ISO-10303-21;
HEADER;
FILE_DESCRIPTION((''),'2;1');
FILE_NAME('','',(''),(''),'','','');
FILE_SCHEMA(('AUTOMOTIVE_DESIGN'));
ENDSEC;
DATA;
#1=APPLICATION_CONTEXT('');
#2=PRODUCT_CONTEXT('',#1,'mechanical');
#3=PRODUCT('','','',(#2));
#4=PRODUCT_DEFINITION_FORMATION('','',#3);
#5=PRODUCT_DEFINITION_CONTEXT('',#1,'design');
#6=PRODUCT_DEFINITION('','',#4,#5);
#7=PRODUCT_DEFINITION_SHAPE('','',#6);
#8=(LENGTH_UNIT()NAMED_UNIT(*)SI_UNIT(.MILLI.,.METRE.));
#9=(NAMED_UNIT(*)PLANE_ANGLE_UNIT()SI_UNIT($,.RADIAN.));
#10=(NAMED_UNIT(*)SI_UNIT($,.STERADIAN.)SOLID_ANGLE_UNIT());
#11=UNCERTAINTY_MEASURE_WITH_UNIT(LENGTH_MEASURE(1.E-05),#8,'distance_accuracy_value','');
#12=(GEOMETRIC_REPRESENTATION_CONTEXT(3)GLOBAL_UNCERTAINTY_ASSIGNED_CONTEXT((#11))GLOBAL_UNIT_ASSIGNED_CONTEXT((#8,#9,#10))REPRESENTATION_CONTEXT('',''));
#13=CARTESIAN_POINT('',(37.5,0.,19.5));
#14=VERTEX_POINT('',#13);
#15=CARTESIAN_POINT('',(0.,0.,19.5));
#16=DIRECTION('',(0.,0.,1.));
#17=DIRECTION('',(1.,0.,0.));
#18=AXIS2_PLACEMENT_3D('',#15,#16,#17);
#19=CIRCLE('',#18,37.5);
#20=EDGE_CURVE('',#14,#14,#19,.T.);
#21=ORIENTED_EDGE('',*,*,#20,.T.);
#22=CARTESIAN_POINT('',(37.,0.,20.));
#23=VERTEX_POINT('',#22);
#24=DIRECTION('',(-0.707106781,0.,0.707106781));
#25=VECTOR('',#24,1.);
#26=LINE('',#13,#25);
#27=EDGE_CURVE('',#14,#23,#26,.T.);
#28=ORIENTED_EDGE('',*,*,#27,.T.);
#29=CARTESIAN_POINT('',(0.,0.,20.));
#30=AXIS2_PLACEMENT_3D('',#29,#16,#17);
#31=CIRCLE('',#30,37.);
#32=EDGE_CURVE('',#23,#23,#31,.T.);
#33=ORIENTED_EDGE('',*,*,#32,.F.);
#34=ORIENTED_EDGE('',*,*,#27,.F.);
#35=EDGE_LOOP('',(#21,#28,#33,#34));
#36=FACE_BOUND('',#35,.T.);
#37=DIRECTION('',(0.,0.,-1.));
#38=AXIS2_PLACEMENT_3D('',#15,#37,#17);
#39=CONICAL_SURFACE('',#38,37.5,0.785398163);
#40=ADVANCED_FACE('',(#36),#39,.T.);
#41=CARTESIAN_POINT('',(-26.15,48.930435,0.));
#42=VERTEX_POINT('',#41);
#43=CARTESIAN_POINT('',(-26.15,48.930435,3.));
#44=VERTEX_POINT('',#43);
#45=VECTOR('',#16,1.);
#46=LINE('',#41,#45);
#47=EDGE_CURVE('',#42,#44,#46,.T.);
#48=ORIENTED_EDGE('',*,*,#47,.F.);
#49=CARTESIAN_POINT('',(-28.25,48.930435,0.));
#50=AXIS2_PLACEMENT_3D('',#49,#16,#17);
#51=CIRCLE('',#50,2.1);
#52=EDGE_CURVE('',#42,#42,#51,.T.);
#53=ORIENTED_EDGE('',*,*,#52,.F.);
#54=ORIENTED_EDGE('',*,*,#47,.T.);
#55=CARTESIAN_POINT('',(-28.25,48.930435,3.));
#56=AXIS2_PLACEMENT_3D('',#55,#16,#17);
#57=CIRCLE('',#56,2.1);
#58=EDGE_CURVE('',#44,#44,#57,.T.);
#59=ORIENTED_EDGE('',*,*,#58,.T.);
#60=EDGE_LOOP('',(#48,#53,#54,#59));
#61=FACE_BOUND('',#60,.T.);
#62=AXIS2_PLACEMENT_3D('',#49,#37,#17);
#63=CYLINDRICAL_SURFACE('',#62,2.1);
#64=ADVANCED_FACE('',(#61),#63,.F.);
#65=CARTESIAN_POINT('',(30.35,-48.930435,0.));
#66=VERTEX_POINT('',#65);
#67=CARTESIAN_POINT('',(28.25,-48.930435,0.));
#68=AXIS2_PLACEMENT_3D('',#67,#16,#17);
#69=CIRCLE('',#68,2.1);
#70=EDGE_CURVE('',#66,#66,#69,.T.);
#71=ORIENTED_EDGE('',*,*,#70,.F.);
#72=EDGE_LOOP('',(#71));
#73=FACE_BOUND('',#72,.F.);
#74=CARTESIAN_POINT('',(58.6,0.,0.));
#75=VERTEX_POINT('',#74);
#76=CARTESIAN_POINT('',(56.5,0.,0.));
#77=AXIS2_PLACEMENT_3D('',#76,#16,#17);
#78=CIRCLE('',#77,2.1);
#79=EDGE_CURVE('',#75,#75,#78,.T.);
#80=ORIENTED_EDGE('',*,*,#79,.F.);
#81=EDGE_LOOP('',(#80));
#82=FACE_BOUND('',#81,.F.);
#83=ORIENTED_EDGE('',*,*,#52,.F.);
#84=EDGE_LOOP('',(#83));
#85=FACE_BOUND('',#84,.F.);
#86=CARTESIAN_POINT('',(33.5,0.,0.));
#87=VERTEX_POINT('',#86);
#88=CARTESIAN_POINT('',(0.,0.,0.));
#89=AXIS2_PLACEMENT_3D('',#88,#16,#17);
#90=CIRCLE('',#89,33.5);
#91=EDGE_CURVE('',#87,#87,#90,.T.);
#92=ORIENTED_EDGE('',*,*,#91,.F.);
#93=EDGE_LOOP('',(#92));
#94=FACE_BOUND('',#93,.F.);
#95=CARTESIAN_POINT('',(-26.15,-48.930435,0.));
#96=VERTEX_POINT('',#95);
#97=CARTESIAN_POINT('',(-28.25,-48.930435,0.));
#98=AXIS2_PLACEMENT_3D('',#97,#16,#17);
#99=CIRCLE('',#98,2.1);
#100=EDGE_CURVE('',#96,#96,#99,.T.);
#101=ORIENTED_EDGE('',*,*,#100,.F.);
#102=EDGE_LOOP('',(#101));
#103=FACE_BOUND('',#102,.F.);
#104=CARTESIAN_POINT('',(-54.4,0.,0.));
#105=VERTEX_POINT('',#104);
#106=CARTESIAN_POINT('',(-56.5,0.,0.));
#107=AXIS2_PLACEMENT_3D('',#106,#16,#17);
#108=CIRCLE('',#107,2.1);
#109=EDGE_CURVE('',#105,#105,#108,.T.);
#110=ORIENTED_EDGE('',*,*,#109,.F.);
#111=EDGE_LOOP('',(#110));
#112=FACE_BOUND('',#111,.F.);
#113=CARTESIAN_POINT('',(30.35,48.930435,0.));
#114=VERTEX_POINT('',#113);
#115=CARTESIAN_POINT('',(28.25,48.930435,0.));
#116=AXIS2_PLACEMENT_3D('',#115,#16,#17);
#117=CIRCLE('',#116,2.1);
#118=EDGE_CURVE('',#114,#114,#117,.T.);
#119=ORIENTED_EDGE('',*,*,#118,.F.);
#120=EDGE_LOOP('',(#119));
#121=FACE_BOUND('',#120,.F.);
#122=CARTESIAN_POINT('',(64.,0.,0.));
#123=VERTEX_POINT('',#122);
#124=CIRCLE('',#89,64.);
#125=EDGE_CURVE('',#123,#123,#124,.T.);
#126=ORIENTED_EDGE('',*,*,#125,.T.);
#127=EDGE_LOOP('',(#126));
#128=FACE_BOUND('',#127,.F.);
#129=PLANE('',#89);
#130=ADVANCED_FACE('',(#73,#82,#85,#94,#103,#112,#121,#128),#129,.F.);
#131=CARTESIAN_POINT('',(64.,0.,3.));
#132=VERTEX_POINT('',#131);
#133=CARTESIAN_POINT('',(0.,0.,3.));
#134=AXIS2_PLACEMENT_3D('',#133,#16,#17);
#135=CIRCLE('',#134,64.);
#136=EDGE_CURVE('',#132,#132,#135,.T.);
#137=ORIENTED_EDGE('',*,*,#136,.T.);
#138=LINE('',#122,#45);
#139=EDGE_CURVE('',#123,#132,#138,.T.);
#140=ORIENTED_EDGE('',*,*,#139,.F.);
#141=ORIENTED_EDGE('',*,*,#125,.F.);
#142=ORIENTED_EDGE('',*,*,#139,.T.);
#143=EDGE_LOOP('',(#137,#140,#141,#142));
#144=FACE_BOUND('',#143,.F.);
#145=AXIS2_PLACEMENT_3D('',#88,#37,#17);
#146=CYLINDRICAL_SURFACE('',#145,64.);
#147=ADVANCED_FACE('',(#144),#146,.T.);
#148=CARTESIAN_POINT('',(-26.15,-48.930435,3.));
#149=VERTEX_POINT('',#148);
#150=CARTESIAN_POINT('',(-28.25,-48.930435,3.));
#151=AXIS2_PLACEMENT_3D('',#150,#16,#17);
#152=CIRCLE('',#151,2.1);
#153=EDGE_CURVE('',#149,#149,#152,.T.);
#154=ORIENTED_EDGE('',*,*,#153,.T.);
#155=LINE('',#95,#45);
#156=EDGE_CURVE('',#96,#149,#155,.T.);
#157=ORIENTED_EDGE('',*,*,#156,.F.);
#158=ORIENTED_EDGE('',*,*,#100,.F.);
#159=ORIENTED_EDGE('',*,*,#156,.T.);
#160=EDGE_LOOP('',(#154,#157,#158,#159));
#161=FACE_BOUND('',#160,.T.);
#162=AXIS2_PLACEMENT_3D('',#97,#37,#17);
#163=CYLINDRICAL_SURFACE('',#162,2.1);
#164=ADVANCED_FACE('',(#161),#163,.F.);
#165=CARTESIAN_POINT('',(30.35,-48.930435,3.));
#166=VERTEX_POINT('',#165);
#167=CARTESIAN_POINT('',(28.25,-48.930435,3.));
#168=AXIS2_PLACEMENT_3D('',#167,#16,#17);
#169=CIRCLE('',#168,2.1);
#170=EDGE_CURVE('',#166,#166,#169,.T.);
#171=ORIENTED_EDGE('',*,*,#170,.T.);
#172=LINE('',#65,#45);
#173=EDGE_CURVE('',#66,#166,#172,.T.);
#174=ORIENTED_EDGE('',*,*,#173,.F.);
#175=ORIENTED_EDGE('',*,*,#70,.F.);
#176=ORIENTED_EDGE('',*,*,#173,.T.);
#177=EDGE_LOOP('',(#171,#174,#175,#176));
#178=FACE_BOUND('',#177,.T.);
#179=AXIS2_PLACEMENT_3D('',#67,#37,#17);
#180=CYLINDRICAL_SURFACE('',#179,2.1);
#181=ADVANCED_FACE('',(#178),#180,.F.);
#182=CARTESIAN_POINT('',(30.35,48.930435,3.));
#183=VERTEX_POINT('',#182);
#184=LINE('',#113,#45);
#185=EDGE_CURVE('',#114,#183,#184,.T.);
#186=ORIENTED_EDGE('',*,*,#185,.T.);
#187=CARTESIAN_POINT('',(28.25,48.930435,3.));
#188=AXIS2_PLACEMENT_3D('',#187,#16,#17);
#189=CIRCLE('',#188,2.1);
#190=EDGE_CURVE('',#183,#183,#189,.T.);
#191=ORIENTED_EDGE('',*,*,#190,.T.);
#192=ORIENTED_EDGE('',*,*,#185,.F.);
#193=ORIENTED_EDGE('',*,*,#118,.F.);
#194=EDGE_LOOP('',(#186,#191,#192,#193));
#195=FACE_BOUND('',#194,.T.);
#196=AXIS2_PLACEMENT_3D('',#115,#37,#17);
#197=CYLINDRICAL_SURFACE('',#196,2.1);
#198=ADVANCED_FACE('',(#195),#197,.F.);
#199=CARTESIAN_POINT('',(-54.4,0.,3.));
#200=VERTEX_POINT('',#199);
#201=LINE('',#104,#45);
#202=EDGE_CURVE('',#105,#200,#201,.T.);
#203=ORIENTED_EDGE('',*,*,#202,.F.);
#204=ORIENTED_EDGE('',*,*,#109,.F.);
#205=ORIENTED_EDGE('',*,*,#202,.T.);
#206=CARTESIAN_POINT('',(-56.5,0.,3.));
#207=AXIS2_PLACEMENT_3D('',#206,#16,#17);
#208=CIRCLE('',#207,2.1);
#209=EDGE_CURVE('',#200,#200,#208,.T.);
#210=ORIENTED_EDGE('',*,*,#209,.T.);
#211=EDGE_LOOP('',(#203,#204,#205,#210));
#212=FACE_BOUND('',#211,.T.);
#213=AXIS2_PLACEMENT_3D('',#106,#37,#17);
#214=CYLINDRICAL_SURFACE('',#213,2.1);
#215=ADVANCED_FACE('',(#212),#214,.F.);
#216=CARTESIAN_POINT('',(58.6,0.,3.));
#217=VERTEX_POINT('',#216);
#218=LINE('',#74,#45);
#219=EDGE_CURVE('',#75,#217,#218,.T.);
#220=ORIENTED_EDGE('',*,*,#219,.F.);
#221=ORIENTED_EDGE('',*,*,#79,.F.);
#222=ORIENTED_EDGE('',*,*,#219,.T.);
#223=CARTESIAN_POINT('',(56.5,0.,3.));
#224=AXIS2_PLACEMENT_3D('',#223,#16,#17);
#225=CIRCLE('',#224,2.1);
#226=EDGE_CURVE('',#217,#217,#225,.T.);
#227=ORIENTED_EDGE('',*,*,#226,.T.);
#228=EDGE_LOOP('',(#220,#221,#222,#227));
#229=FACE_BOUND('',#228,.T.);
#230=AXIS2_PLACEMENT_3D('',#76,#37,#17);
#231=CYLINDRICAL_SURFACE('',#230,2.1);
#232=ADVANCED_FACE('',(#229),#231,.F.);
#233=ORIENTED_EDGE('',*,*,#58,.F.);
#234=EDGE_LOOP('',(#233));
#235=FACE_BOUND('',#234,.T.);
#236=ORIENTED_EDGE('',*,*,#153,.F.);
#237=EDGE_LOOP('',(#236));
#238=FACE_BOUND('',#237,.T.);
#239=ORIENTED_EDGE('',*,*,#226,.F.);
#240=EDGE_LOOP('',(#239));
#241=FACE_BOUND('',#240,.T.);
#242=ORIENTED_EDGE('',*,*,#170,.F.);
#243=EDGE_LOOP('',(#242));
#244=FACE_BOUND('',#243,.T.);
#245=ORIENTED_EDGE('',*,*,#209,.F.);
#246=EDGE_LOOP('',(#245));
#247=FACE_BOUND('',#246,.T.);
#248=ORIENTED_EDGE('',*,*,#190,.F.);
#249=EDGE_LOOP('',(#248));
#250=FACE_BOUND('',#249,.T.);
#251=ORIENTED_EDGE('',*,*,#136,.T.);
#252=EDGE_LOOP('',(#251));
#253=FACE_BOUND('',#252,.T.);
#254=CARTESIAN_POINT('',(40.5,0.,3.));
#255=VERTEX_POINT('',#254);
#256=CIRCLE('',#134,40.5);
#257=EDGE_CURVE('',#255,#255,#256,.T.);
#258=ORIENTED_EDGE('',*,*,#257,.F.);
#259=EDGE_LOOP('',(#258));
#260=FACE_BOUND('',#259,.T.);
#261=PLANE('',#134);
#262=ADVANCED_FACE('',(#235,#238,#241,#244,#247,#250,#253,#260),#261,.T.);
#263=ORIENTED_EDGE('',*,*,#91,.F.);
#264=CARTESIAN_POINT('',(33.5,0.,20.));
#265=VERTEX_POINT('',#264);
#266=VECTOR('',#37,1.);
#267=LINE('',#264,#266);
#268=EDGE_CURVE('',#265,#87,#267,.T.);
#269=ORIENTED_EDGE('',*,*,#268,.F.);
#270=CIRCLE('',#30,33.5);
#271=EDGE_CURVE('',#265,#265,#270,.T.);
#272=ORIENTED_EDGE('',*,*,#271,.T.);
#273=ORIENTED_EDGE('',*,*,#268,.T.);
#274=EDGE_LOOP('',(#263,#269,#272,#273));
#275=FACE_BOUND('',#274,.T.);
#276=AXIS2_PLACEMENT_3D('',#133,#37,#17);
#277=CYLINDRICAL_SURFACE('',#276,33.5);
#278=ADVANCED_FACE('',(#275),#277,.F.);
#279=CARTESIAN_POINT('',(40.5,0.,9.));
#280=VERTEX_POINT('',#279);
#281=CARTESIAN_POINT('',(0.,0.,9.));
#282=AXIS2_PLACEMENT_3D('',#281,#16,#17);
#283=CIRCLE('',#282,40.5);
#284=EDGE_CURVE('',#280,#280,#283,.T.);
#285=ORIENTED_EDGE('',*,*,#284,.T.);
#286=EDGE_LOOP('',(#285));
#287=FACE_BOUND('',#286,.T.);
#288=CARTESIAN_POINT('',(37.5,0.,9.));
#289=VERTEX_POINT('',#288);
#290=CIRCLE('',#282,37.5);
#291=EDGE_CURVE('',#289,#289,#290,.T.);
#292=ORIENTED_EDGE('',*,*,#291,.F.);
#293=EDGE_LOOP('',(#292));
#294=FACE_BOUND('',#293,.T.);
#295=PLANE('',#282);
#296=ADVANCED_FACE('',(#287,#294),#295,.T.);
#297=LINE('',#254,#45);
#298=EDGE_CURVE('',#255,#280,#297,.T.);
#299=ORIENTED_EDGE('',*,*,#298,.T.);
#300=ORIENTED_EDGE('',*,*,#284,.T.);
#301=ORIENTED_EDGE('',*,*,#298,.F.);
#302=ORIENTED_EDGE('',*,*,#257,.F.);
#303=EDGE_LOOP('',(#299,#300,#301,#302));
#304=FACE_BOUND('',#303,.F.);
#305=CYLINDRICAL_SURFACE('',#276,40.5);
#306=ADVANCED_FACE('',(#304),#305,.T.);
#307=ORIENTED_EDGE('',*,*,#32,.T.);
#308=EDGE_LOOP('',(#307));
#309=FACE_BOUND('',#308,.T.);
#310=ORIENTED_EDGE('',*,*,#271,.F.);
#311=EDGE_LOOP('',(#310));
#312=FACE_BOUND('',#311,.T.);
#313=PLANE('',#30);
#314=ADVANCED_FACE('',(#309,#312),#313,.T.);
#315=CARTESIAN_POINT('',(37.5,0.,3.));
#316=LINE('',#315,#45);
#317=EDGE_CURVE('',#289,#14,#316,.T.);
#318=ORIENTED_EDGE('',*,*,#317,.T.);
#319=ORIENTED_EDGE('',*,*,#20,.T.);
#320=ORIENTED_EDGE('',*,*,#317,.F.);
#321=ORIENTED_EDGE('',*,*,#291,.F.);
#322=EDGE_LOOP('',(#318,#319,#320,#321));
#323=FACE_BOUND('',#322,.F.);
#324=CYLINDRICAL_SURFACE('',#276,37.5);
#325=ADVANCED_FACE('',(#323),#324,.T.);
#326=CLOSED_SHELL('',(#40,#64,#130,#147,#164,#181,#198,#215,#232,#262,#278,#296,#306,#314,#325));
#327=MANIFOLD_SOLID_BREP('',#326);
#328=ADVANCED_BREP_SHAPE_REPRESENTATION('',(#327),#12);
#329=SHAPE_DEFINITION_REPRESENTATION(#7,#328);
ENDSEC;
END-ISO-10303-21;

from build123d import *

# Parameters (mm, degrees)
SKETCH_R      = 64
SKETCH_R_2    = 2.1
SKETCH_R_3    = 33.5
PAD_DEPTH     = 3
SKETCH001_R   = 37.5
SKETCH001_R_2 = 33.5
PAD001_DEPTH  = 17
SKETCH002_R   = 40.5
SKETCH002_R_2 = 37.5
PAD002_DEPTH  = 6
CHAMFER_SIZE  = 0.5


with BuildPart() as part:
    # Sketch → Pad (new body)
    with BuildSketch(Plane.XY):
        Circle(SKETCH_R)
        with Locations((-28.25, 48.930435)):
            Circle(SKETCH_R_2, mode=Mode.SUBTRACT)
        with Locations((28.25, 48.930435)):
            Circle(SKETCH_R_2, mode=Mode.SUBTRACT)
        with Locations((56.5, 0)):
            Circle(SKETCH_R_2, mode=Mode.SUBTRACT)
        with Locations((28.25, -48.930435)):
            Circle(SKETCH_R_2, mode=Mode.SUBTRACT)
        with Locations((-28.25, -48.930435)):
            Circle(SKETCH_R_2, mode=Mode.SUBTRACT)
        with Locations((-56.5, 0)):
            Circle(SKETCH_R_2, mode=Mode.SUBTRACT)
        Circle(SKETCH_R_3, mode=Mode.SUBTRACT)
    extrude(amount=PAD_DEPTH)

    # Sketch001 (on Face10 of Pad) → Pad001 (join)
    with BuildSketch(Plane.XY.offset(3)):
        Circle(SKETCH001_R)
        Circle(SKETCH001_R_2, mode=Mode.SUBTRACT)
    extrude(amount=PAD001_DEPTH)

    # Sketch002 (on Face3 of Pad001) → Pad002 (join)
    with BuildSketch(Plane.XY.offset(3)):
        Circle(SKETCH002_R)
        Circle(SKETCH002_R_2, mode=Mode.SUBTRACT)
    extrude(amount=PAD002_DEPTH)

    # Chamfer
    chamfer_edges = [part.edges().sort_by_distance(p)[0] for p in [
        (-37.5, 0, 20),
    ]]
    chamfer(chamfer_edges, length=CHAMFER_SIZE)


solid = part.part
